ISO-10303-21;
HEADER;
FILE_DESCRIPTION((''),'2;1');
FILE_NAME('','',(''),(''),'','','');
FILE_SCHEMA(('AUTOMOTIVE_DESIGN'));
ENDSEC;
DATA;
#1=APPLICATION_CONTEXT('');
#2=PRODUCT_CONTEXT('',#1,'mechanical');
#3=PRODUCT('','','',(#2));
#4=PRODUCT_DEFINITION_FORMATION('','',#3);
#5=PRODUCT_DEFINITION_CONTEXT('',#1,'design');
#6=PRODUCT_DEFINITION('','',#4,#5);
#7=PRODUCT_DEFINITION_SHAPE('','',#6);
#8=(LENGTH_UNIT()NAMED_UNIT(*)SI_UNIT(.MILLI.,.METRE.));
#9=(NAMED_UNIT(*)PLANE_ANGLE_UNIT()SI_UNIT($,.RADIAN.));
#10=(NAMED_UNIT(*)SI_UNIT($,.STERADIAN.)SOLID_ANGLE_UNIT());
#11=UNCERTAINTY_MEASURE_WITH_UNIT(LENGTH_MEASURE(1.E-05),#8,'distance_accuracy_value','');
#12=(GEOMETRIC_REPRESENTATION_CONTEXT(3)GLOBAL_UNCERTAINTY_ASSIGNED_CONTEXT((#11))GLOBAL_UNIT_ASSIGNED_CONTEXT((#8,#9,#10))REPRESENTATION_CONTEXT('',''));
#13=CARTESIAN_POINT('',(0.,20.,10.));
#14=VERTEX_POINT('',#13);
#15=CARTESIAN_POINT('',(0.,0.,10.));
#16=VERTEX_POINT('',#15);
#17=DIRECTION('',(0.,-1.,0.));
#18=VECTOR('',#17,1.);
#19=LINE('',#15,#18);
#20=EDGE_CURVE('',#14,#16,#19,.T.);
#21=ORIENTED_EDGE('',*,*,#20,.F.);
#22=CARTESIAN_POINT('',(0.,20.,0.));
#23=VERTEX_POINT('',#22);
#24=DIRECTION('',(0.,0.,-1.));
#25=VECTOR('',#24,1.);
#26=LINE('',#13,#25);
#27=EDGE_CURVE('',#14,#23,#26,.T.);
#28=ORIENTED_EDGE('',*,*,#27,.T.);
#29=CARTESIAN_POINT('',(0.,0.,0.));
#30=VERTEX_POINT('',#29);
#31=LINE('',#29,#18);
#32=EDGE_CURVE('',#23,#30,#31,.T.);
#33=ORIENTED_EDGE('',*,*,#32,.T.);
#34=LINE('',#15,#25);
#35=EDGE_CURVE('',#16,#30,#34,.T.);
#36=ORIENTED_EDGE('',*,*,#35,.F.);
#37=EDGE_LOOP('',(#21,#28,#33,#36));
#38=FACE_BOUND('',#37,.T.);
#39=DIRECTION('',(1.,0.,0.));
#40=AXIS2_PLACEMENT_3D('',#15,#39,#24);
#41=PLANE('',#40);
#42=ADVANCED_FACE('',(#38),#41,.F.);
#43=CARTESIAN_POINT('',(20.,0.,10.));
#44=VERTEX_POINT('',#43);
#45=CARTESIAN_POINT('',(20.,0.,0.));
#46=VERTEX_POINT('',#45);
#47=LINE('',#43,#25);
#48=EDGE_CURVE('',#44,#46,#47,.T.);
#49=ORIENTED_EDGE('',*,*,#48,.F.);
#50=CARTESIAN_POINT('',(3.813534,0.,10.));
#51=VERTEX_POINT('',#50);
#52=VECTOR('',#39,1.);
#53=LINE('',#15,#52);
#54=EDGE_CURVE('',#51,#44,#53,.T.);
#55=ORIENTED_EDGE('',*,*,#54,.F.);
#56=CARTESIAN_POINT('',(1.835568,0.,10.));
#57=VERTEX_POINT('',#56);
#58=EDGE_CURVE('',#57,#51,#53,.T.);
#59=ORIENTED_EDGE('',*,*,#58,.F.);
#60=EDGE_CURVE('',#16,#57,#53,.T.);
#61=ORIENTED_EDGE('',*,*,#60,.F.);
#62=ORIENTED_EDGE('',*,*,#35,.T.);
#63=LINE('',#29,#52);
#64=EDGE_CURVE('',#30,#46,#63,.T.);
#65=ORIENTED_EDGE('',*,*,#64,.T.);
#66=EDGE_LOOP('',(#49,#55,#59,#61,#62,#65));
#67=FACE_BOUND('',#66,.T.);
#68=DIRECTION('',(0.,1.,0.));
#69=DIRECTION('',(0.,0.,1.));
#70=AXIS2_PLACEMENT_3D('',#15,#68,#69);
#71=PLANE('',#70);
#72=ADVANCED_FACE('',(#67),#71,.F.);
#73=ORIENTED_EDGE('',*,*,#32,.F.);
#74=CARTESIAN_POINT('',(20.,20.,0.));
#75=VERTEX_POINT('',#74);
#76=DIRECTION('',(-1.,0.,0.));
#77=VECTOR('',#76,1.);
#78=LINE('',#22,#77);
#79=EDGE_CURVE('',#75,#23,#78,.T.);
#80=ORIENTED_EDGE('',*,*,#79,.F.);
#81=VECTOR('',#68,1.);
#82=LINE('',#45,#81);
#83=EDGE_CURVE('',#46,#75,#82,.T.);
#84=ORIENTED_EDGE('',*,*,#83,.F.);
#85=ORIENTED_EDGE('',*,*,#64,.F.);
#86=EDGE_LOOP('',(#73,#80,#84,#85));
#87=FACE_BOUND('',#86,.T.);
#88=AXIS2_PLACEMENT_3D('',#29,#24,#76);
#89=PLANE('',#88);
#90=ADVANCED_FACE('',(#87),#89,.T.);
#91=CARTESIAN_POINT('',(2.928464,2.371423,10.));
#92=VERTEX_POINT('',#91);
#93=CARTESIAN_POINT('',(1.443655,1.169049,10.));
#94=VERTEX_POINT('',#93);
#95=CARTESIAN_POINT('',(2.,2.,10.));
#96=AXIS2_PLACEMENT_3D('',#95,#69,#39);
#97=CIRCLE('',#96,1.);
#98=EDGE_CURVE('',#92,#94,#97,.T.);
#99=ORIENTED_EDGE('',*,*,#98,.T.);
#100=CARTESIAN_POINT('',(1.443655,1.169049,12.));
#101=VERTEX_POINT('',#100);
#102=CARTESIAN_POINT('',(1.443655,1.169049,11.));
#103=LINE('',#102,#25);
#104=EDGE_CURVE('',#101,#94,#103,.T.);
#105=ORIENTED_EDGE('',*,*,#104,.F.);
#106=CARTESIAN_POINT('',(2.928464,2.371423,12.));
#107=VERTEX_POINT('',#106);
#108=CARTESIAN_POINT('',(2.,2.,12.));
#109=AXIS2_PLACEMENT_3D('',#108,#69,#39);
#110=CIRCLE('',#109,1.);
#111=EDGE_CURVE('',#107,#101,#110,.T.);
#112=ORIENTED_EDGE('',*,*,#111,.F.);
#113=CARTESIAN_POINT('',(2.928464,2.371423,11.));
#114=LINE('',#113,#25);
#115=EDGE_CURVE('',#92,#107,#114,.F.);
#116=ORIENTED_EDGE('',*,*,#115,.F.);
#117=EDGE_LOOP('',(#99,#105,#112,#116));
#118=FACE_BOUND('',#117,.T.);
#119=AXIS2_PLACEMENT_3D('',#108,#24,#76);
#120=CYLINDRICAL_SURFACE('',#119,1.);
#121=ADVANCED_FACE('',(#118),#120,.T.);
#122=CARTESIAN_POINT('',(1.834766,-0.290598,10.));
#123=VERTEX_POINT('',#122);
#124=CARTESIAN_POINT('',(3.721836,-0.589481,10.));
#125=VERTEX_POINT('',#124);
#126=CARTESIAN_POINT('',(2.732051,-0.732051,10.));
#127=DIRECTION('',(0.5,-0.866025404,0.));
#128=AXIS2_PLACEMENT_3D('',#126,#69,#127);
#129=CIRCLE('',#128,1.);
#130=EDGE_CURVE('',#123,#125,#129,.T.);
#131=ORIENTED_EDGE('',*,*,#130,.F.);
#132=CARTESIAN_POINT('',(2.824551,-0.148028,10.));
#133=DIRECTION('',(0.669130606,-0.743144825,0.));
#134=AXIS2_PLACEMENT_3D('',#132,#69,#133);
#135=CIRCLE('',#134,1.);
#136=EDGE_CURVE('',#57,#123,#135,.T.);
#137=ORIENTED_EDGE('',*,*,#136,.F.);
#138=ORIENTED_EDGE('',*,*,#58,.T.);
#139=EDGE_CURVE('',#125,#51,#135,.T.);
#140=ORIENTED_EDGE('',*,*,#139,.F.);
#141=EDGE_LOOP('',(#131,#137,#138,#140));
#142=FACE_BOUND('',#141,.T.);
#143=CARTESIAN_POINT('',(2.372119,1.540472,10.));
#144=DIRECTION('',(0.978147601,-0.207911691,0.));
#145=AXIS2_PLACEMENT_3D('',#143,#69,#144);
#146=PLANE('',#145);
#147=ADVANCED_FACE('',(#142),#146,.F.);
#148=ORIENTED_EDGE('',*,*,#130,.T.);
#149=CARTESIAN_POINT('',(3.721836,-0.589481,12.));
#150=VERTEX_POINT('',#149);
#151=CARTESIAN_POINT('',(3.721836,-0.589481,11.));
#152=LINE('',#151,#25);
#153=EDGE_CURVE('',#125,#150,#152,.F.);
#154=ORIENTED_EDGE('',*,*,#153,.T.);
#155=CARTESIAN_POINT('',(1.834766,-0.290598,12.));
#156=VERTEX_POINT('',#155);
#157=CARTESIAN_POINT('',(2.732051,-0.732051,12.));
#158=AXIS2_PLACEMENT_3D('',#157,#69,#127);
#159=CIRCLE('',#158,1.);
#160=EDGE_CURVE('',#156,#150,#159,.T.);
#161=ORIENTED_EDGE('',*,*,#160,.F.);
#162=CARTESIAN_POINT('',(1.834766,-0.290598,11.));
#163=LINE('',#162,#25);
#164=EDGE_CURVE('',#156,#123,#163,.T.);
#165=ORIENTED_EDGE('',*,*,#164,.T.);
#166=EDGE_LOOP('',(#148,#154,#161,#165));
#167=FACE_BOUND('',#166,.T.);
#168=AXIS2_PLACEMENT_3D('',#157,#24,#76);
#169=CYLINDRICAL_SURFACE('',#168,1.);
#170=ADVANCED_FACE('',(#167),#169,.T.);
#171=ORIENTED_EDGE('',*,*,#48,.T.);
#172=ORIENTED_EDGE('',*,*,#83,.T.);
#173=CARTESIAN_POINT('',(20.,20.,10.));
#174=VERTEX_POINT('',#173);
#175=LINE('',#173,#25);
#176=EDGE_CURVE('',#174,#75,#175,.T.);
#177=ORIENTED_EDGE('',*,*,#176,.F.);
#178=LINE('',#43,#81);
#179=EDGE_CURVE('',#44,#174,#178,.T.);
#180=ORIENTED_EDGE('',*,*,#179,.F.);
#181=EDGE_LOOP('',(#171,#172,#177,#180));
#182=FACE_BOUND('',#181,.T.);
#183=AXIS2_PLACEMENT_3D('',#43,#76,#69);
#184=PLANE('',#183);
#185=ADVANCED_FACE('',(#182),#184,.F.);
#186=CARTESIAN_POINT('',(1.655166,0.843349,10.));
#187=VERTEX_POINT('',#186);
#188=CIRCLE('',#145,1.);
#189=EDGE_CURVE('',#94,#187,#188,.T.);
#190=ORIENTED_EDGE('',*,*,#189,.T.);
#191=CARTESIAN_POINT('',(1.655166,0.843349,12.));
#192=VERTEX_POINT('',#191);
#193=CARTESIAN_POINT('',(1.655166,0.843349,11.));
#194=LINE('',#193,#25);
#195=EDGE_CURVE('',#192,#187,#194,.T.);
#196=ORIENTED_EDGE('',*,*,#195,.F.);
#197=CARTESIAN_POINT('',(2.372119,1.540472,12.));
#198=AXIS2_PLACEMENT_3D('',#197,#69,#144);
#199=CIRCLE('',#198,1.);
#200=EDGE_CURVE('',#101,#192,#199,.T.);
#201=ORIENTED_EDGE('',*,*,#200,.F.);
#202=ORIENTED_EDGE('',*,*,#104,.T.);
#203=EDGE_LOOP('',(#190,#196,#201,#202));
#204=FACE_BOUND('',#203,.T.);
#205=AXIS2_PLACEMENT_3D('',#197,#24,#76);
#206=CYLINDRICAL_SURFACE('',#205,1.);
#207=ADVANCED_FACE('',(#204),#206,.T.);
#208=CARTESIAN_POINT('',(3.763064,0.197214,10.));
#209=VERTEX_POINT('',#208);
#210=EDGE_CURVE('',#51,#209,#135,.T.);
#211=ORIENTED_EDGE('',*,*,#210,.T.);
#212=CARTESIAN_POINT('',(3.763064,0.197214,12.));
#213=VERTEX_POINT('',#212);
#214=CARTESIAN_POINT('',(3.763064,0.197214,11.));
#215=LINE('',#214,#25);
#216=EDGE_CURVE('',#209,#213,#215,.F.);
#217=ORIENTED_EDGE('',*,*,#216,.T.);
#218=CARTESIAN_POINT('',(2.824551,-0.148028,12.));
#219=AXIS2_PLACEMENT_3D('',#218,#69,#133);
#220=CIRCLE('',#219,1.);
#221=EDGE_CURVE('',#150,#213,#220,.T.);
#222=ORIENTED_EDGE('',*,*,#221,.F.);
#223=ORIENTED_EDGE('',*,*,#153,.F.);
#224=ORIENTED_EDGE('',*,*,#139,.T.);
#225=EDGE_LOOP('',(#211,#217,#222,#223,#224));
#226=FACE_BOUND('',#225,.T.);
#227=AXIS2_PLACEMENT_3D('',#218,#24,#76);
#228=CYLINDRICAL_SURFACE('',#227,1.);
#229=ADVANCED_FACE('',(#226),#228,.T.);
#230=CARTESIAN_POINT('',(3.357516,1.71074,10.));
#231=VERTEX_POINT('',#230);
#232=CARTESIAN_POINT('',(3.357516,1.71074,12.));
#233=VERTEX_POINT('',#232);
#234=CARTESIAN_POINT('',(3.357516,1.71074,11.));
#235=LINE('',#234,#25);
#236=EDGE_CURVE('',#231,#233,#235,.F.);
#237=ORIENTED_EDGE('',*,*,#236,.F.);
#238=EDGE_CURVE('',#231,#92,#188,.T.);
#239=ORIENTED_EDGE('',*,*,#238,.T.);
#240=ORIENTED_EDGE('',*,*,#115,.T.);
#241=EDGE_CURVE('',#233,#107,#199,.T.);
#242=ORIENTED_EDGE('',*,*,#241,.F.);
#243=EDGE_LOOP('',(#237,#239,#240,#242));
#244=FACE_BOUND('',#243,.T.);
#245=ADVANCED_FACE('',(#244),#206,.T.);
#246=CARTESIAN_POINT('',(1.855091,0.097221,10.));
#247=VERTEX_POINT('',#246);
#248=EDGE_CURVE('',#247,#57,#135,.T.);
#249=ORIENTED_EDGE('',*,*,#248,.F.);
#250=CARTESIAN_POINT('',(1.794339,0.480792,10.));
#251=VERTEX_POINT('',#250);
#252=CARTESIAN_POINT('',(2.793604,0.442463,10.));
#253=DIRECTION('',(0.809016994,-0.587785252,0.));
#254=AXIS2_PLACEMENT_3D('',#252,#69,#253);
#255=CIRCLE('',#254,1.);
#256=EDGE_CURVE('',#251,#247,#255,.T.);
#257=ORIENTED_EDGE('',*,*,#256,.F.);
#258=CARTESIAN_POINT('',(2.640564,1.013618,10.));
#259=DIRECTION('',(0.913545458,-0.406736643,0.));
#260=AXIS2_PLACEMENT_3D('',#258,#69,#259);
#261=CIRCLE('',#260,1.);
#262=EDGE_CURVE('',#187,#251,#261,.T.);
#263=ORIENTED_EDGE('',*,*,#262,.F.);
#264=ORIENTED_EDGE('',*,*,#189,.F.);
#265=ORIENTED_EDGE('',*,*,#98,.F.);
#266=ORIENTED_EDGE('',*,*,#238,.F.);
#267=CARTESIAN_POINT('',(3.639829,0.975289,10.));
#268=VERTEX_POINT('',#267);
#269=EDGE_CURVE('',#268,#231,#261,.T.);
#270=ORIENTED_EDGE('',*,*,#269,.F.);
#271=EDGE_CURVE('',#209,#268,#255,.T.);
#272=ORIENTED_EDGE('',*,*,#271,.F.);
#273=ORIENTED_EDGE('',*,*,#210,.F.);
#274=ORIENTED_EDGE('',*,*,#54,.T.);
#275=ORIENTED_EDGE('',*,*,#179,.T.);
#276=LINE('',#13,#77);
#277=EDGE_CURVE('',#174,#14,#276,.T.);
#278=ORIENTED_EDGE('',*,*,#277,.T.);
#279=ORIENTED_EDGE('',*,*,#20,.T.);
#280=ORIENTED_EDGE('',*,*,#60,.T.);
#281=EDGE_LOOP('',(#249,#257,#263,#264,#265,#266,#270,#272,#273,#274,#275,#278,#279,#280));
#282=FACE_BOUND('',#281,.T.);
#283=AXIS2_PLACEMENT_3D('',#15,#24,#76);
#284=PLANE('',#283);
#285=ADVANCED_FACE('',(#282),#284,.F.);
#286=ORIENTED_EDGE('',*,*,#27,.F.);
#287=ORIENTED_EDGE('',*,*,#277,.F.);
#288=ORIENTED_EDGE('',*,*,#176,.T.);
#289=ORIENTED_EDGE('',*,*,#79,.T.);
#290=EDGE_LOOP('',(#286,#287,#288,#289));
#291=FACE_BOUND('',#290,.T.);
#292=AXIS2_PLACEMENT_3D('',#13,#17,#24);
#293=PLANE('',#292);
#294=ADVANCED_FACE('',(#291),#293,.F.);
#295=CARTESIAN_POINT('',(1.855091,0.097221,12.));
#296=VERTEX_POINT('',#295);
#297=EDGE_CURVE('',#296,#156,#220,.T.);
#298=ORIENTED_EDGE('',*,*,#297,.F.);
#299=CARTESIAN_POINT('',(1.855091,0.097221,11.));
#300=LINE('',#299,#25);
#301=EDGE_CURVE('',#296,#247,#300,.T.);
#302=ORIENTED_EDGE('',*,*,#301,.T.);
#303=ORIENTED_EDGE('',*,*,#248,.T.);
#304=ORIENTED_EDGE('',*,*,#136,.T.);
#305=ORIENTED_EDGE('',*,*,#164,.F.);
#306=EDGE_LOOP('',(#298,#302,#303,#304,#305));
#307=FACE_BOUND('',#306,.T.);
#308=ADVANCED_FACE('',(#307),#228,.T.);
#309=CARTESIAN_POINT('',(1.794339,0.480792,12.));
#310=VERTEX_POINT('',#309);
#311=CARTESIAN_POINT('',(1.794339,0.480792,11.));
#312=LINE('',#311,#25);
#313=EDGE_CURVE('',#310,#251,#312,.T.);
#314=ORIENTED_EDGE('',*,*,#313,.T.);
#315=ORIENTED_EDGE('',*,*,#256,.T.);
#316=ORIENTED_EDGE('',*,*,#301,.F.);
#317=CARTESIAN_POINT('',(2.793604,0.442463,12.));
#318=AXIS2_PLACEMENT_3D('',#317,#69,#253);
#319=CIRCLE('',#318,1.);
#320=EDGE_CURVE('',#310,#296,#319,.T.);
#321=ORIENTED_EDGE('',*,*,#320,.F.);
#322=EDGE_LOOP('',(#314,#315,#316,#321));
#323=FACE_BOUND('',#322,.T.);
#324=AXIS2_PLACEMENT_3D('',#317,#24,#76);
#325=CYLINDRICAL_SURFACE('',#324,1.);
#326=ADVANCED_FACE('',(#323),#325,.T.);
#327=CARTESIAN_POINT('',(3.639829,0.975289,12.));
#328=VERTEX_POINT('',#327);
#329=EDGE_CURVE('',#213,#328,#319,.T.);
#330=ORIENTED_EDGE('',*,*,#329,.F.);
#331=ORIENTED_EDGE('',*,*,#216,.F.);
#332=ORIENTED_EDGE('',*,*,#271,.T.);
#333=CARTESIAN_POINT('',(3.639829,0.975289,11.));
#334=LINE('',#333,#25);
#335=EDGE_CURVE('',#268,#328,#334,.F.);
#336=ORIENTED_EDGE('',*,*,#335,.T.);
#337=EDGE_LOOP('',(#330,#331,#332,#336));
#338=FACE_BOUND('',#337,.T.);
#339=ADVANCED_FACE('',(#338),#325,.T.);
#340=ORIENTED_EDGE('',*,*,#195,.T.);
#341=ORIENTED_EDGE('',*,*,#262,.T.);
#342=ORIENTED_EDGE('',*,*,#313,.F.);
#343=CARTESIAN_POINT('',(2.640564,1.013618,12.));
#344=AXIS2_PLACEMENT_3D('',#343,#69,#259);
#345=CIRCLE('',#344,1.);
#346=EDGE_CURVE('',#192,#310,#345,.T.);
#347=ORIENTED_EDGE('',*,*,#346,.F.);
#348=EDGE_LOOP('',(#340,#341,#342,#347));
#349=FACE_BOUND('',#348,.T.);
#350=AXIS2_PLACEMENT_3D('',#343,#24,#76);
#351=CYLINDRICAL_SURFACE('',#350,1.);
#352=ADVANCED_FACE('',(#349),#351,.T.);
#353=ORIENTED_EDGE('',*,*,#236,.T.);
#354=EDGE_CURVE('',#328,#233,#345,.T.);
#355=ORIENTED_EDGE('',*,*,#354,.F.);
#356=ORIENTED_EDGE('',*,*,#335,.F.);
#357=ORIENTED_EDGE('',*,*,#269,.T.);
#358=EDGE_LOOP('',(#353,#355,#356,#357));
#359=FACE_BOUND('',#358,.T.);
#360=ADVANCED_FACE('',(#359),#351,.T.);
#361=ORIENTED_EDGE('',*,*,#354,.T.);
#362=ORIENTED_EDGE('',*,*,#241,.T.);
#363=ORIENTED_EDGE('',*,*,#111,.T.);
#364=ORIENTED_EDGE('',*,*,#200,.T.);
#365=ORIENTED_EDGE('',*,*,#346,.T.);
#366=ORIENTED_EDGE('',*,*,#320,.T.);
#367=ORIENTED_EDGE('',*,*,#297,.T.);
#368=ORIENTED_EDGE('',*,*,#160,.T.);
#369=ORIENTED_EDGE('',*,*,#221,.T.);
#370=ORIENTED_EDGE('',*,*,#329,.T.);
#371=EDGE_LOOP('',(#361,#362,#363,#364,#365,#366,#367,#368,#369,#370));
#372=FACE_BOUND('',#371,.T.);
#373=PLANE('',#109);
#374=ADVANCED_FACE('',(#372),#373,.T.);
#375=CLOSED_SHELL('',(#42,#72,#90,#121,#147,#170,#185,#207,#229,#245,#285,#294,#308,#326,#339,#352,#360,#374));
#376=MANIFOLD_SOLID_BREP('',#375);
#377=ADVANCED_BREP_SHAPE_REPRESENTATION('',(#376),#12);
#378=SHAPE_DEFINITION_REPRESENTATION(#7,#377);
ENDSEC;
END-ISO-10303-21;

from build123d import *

# Parameters (mm, degrees)
SKETCH_1_W            = 20
SKETCH_1_H            = 20
BASEBOX_DEPTH         = 10
SKETCH_2_R            = 1
BOSSSEED_DEPTH        = 2
CIRCULARPATTERN_COUNT = 6
CIRCULARPATTERN_ANGLE = 60


with BuildPart() as part:
    # 草图1 → BaseBox (new body)
    with BuildSketch(Plane.XY):
        with Locations((10, 10)):
            Rectangle(SKETCH_1_W, SKETCH_1_H)
    extrude(amount=BASEBOX_DEPTH)

    # 草图2 → BossSeed (add)
    with BuildSketch(Plane.XY.offset(10)):
        with Locations((2, 2)):
            Circle(SKETCH_2_R)
    bossseed = extrude(amount=BOSSSEED_DEPTH)

    # CircularPattern: BossSeed ×6 about axis
    circularpattern_axis = Axis((0, 0, 0), (0, 0, -1))
    for i in range(1, CIRCULARPATTERN_COUNT):
        add(bossseed.rotate(circularpattern_axis, i * CIRCULARPATTERN_ANGLE / (CIRCULARPATTERN_COUNT - 1)))


solid = part.part
